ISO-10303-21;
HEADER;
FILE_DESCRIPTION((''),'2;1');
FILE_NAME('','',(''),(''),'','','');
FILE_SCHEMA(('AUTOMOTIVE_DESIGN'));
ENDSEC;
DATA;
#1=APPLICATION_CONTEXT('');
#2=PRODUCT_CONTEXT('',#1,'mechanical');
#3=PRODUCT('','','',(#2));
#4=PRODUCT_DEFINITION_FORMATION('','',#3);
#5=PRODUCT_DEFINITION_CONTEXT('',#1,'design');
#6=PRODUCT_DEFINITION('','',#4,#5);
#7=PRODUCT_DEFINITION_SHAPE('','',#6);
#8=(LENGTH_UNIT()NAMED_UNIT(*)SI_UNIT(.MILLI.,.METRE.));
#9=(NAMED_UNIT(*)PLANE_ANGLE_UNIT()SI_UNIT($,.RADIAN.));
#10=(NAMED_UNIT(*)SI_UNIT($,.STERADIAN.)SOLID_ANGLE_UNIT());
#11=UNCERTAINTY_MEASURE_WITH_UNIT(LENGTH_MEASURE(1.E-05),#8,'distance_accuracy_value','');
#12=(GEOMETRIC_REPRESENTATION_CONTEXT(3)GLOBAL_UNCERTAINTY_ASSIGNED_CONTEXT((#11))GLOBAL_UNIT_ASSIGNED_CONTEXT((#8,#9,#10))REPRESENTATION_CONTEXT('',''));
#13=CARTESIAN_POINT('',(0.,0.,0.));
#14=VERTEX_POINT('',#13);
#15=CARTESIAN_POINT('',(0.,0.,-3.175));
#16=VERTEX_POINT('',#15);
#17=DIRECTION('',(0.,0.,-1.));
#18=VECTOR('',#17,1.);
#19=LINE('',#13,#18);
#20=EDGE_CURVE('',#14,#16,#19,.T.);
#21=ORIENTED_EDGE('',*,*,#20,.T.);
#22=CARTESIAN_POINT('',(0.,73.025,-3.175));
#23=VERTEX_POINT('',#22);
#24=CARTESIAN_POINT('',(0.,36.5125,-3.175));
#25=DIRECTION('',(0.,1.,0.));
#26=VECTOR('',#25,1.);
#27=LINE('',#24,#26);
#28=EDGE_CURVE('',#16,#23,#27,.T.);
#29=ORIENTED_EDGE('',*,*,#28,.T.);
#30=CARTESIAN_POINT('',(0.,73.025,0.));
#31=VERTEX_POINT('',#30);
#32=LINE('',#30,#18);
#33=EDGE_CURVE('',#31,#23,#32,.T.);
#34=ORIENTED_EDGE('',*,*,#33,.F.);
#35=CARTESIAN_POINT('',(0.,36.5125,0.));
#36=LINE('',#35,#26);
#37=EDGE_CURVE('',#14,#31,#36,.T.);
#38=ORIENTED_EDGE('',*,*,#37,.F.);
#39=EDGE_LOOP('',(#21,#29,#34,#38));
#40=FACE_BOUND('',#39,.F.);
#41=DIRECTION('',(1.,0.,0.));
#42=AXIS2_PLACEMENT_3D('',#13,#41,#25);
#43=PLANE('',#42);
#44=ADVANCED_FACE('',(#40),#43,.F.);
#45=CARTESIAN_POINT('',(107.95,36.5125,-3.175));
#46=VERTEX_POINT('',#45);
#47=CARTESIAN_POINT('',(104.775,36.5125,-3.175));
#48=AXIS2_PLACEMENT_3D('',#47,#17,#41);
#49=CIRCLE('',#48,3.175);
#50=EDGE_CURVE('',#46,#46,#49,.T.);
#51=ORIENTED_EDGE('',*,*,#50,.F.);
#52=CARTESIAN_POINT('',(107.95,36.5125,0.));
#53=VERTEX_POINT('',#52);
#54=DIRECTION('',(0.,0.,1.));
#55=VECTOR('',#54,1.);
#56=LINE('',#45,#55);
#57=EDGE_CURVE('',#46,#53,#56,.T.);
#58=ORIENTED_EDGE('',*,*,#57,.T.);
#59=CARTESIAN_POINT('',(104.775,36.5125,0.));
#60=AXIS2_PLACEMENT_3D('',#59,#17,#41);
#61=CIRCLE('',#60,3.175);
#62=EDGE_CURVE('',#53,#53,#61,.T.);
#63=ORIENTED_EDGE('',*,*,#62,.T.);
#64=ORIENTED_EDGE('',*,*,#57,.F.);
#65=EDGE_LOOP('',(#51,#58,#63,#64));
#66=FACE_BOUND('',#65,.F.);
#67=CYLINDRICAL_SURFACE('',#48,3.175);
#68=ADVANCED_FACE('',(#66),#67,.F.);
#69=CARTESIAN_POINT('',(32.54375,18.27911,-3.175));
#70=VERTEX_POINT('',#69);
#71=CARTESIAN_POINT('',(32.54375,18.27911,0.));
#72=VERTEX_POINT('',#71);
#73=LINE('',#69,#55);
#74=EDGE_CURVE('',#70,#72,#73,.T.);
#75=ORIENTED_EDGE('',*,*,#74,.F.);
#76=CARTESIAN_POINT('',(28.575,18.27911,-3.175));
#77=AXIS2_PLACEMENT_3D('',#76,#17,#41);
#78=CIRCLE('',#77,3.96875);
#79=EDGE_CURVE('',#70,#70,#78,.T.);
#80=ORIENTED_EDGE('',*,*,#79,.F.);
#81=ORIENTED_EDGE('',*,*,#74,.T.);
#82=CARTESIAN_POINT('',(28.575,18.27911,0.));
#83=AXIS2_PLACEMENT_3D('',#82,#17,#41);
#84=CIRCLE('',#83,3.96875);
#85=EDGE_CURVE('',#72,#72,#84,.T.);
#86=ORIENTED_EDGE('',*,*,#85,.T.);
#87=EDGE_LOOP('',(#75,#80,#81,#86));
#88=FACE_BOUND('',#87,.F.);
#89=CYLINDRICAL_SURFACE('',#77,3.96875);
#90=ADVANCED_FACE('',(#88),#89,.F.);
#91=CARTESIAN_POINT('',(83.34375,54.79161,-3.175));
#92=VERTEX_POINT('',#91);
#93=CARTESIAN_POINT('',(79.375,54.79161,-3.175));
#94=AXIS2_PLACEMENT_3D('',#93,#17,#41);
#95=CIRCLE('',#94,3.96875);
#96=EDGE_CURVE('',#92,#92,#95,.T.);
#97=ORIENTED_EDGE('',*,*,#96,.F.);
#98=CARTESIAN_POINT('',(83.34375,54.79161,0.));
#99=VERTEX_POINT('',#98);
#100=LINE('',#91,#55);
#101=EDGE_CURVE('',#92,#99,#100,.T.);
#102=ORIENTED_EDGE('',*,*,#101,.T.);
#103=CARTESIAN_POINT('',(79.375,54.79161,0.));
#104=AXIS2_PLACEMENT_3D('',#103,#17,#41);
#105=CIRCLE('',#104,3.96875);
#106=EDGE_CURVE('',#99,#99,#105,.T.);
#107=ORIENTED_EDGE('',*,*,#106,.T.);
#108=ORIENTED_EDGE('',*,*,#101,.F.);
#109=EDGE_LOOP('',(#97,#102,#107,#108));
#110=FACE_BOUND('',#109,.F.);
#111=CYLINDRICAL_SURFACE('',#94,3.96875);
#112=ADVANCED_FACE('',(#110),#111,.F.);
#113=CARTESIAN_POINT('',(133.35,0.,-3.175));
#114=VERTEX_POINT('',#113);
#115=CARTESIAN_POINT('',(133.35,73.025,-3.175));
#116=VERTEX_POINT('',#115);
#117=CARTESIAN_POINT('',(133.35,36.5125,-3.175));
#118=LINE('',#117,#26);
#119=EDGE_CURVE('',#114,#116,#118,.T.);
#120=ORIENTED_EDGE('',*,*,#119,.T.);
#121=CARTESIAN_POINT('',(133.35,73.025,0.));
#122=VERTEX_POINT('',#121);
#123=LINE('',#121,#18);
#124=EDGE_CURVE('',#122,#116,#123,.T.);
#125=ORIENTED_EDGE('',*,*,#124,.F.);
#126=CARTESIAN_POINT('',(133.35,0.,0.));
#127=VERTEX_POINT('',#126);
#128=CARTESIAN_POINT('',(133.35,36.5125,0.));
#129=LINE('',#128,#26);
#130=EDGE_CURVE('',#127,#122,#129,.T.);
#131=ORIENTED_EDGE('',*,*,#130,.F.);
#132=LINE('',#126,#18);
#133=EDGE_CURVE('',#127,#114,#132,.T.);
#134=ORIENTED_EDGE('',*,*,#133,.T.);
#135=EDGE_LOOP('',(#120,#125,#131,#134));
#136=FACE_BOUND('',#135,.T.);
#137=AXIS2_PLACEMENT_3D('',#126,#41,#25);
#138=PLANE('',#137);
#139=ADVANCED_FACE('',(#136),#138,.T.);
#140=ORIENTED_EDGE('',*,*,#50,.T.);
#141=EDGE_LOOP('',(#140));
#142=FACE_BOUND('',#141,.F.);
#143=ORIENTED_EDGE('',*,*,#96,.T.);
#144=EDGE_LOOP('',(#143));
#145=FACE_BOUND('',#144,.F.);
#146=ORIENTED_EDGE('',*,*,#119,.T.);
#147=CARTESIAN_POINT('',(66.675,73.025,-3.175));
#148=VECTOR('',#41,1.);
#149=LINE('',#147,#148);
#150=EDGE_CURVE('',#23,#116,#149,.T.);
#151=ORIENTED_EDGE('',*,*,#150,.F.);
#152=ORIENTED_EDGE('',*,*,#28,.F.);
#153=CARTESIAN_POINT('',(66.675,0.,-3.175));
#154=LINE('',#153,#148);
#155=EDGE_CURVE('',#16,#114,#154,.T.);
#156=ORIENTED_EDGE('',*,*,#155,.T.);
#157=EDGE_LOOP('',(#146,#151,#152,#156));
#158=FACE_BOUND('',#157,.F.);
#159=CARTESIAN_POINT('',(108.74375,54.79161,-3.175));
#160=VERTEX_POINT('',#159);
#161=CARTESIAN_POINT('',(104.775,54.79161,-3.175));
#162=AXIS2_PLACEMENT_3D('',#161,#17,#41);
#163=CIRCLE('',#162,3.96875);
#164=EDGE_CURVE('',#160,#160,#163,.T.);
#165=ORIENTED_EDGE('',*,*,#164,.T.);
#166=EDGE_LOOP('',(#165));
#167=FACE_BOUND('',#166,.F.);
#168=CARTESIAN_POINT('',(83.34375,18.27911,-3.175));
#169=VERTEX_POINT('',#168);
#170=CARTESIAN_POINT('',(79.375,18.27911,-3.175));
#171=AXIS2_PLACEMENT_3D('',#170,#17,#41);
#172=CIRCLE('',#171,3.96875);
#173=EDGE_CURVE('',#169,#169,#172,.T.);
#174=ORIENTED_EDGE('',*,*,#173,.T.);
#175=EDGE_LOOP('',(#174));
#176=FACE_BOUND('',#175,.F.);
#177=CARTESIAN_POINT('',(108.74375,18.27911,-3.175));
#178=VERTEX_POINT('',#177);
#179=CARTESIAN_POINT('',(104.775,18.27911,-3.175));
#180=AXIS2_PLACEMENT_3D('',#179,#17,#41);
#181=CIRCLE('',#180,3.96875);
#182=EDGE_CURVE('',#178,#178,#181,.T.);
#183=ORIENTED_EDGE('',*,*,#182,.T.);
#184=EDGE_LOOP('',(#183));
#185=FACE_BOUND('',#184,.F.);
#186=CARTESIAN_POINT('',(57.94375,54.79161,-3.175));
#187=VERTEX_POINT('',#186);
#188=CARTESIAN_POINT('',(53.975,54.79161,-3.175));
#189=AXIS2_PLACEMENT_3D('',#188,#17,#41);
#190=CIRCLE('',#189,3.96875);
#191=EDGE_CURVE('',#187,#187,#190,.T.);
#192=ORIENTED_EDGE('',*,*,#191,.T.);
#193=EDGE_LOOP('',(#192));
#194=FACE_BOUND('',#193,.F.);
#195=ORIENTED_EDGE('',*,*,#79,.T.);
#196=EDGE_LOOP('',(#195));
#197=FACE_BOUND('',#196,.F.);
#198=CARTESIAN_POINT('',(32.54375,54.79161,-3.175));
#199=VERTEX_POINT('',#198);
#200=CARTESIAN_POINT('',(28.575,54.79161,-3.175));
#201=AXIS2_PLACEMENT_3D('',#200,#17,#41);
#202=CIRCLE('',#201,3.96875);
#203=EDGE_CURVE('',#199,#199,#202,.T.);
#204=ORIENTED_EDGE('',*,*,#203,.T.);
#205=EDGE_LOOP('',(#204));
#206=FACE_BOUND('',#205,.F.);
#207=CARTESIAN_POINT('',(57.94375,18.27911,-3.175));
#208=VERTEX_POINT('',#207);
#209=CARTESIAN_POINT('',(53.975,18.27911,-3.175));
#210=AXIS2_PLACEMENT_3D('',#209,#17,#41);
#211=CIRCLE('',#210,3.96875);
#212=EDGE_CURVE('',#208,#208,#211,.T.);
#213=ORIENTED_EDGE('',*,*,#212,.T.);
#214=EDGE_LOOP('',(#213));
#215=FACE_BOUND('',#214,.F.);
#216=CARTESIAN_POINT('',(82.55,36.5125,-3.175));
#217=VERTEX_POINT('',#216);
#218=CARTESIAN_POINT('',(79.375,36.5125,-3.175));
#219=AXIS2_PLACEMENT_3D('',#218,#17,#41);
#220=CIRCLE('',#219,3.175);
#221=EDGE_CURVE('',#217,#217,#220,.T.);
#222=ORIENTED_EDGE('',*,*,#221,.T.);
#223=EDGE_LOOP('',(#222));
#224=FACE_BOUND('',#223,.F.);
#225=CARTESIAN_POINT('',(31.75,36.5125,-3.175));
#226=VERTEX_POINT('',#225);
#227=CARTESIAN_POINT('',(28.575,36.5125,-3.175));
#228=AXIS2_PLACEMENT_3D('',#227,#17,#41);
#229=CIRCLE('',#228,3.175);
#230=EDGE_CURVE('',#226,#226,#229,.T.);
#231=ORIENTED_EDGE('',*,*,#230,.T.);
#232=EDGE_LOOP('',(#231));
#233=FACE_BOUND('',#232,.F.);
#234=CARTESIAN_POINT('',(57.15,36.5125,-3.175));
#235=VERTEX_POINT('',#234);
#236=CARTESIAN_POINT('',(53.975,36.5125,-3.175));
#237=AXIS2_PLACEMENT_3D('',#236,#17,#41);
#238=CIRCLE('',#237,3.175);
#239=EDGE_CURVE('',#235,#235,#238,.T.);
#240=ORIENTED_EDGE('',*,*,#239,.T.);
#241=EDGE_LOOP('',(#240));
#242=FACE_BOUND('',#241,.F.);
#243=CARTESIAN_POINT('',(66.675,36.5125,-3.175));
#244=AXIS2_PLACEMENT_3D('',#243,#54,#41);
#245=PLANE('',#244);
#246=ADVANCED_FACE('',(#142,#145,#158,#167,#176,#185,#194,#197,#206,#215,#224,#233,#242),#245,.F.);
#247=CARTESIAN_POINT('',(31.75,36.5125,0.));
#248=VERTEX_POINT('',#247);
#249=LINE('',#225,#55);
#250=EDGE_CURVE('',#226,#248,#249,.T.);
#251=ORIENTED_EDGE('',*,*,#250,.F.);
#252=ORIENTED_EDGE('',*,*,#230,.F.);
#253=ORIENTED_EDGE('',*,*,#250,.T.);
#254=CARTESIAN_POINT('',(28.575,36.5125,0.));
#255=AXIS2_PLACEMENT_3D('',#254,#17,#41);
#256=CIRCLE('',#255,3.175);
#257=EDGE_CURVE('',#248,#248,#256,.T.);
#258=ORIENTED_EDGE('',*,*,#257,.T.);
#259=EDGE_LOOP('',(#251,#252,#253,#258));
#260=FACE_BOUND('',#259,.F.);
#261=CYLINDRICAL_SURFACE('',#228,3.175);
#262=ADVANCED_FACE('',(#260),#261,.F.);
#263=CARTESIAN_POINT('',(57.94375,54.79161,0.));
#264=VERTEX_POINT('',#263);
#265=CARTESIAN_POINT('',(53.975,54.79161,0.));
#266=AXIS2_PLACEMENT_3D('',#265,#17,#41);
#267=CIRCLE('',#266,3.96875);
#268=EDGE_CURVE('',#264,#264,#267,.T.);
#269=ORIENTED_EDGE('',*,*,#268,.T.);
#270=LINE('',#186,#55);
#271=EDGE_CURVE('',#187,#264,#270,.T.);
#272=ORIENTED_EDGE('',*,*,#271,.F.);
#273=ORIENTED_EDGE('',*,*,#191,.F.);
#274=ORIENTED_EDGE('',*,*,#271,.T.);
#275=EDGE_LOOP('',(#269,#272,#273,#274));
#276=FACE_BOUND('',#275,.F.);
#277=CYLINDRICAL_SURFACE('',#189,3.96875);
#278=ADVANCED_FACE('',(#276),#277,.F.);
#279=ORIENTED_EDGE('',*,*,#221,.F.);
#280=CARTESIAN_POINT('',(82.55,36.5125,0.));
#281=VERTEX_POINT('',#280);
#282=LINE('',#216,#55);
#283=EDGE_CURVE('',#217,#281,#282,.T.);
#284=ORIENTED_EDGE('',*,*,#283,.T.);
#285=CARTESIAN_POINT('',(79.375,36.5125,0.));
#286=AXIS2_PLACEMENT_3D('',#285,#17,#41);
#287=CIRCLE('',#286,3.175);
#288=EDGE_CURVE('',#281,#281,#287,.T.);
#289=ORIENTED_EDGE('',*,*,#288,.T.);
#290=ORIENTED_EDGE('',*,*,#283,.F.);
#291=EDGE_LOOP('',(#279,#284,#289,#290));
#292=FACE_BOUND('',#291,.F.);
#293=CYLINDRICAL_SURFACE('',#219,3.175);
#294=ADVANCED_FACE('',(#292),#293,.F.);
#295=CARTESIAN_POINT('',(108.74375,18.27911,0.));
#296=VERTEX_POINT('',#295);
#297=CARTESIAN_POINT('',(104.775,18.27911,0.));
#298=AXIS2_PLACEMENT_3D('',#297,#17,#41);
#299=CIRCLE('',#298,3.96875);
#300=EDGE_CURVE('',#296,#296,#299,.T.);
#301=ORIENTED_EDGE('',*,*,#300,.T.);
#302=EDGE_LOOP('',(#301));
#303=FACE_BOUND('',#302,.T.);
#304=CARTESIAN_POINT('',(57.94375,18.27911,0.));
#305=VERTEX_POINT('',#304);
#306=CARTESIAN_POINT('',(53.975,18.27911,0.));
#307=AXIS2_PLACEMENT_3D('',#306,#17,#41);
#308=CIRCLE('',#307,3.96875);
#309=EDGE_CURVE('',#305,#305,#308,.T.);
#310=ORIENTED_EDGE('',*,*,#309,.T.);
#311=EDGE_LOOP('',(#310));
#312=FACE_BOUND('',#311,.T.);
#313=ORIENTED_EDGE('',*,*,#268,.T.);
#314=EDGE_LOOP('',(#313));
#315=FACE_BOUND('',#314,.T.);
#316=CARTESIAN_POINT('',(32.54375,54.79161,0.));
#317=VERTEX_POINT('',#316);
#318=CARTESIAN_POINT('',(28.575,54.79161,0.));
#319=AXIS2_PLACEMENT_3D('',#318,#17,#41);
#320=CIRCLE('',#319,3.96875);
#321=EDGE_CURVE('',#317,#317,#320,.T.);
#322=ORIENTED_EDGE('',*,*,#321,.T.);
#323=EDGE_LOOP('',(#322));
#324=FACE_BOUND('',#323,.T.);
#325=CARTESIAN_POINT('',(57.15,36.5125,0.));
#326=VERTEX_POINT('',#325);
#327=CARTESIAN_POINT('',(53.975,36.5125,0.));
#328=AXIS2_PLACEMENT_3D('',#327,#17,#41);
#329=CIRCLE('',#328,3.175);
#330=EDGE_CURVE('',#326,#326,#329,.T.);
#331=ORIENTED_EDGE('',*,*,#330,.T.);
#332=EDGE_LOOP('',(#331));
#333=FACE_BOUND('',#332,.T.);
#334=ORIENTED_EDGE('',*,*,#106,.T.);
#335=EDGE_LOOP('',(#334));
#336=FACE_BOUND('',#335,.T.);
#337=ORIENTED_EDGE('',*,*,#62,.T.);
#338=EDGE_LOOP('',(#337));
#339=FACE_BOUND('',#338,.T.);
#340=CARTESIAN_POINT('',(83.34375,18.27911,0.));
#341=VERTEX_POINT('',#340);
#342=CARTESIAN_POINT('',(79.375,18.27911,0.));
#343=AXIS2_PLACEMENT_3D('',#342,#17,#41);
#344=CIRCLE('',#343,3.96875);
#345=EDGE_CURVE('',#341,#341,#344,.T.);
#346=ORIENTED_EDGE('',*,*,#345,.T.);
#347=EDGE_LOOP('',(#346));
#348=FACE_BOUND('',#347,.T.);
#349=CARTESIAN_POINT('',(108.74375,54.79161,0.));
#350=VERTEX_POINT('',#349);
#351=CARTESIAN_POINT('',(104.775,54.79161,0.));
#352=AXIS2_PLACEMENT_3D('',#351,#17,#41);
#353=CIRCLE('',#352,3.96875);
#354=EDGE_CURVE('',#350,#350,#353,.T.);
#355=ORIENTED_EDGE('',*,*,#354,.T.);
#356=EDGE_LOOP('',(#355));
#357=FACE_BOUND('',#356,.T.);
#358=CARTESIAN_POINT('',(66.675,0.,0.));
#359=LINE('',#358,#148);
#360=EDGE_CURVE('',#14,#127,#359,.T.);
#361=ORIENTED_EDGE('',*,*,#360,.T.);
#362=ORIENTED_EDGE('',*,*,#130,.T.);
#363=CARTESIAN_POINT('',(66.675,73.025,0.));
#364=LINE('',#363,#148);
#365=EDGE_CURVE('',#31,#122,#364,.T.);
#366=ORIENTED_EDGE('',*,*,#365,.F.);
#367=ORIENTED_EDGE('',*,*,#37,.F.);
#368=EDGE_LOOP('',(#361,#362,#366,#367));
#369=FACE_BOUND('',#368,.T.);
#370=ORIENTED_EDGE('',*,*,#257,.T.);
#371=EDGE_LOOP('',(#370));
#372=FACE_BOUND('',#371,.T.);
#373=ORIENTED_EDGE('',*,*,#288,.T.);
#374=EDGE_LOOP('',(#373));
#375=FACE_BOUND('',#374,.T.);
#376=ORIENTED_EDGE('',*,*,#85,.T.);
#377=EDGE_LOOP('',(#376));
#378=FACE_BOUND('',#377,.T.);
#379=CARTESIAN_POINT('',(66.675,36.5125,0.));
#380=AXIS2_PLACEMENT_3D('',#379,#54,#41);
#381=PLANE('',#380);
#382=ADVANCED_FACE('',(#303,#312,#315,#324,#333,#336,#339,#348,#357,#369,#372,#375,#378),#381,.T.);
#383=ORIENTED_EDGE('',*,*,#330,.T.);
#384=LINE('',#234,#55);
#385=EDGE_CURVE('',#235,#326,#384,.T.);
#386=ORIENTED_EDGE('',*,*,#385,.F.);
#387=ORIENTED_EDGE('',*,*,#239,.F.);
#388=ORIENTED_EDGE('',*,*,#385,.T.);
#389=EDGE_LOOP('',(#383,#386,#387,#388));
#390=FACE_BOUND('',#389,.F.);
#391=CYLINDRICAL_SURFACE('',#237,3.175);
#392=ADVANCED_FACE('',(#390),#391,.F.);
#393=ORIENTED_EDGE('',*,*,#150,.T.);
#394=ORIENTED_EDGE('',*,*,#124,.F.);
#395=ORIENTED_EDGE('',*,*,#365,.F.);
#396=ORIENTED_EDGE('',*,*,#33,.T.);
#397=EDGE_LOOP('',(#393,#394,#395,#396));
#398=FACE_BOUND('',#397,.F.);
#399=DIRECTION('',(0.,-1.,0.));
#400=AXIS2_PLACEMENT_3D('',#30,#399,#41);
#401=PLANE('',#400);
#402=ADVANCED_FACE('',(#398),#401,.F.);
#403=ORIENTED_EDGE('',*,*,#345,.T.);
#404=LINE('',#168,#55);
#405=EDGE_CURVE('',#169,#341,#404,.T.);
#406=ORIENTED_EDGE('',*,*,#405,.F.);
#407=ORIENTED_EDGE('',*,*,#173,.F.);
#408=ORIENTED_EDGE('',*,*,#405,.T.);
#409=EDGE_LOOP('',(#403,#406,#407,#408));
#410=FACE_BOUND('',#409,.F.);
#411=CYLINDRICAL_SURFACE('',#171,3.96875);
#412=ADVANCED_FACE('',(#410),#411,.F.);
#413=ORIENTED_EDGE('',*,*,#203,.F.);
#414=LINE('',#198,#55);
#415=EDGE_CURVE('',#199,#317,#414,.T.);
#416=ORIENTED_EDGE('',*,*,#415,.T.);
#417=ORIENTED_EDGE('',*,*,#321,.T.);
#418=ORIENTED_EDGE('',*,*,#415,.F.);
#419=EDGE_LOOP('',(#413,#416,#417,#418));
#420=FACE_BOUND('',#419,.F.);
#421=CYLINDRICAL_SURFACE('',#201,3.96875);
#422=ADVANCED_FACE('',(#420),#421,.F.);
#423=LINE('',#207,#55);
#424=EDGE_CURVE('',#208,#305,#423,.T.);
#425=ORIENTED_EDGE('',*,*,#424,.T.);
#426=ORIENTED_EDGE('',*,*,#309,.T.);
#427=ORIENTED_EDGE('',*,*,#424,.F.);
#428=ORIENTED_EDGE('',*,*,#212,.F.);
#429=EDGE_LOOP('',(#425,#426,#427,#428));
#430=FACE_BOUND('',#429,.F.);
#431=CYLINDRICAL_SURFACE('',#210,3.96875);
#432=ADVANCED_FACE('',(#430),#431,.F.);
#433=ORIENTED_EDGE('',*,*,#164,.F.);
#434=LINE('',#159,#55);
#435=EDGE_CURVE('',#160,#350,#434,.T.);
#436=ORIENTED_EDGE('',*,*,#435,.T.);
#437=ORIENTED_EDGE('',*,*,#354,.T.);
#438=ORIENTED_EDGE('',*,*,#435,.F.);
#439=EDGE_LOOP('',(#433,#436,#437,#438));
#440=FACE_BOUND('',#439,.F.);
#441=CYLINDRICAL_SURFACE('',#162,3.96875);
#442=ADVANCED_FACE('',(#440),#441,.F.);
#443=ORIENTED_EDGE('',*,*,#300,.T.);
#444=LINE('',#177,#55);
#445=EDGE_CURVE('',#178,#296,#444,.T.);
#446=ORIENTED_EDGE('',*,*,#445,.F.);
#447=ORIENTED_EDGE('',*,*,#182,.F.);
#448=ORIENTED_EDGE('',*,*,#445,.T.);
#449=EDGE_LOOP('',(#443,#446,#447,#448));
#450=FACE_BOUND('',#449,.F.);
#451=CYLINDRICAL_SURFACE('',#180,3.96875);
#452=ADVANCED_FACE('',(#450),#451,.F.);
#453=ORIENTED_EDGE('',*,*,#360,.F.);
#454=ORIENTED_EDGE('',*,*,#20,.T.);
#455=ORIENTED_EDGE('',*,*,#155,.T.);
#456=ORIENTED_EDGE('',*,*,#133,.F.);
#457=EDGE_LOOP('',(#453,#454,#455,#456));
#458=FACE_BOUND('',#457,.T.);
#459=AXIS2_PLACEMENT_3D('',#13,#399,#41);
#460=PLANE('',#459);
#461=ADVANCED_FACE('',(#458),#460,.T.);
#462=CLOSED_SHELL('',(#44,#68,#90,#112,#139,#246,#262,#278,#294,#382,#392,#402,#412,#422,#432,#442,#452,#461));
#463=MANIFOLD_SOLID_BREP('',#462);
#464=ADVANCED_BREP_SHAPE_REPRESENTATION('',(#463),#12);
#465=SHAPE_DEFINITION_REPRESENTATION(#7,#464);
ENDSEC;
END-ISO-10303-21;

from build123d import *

# Parameters (mm, degrees)
F0_W     = 133.35
F0_H     = 73.025
F1_DEPTH = 3.175
F2_R     = 3.175
F3_DEPTH = 3.176
F4_R     = 3.96875
F5_DEPTH = 3.176


with BuildPart() as f1:
    # F0 (on Top) → F1 (new body)
    with BuildSketch(Plane.XY):
        with Locations((66.675, 36.5125)):
            Rectangle(F0_W, F0_H)
    extrude(amount=-F1_DEPTH)

    # F2 (on face) → F3 (cut, through all)
    with BuildSketch(Plane(origin=(0, 0, -3.175), x_dir=(1, 0, 0), z_dir=(0, 0, -1))):
        with Locations((28.575, -36.5125)):
            Circle(F2_R)
        with Locations((53.975, -36.5125)):
            Circle(F2_R)
        with Locations((79.375, -36.5125)):
            Circle(F2_R)
        with Locations((104.775, -36.5125)):
            Circle(F2_R)
    extrude(amount=-F3_DEPTH, mode=Mode.SUBTRACT)

    # F4 (on face) → F5 (cut, through all)
    with BuildSketch(Plane(origin=(0, 0, -3.175), x_dir=(1, 0, 0), z_dir=(0, 0, -1))):
        with Locations((28.575, -54.79161)):
            Circle(F4_R)
        with Locations((53.975, -54.79161)):
            Circle(F4_R)
        with Locations((79.375, -54.79161)):
            Circle(F4_R)
        with Locations((104.775, -54.79161)):
            Circle(F4_R)
        with Locations((104.775, -18.27911)):
            Circle(F4_R)
        with Locations((79.375, -18.27911)):
            Circle(F4_R)
        with Locations((53.975, -18.27911)):
            Circle(F4_R)
        with Locations((28.575, -18.27911)):
            Circle(F4_R)
    extrude(amount=-F5_DEPTH, mode=Mode.SUBTRACT)


solid = f1.part
